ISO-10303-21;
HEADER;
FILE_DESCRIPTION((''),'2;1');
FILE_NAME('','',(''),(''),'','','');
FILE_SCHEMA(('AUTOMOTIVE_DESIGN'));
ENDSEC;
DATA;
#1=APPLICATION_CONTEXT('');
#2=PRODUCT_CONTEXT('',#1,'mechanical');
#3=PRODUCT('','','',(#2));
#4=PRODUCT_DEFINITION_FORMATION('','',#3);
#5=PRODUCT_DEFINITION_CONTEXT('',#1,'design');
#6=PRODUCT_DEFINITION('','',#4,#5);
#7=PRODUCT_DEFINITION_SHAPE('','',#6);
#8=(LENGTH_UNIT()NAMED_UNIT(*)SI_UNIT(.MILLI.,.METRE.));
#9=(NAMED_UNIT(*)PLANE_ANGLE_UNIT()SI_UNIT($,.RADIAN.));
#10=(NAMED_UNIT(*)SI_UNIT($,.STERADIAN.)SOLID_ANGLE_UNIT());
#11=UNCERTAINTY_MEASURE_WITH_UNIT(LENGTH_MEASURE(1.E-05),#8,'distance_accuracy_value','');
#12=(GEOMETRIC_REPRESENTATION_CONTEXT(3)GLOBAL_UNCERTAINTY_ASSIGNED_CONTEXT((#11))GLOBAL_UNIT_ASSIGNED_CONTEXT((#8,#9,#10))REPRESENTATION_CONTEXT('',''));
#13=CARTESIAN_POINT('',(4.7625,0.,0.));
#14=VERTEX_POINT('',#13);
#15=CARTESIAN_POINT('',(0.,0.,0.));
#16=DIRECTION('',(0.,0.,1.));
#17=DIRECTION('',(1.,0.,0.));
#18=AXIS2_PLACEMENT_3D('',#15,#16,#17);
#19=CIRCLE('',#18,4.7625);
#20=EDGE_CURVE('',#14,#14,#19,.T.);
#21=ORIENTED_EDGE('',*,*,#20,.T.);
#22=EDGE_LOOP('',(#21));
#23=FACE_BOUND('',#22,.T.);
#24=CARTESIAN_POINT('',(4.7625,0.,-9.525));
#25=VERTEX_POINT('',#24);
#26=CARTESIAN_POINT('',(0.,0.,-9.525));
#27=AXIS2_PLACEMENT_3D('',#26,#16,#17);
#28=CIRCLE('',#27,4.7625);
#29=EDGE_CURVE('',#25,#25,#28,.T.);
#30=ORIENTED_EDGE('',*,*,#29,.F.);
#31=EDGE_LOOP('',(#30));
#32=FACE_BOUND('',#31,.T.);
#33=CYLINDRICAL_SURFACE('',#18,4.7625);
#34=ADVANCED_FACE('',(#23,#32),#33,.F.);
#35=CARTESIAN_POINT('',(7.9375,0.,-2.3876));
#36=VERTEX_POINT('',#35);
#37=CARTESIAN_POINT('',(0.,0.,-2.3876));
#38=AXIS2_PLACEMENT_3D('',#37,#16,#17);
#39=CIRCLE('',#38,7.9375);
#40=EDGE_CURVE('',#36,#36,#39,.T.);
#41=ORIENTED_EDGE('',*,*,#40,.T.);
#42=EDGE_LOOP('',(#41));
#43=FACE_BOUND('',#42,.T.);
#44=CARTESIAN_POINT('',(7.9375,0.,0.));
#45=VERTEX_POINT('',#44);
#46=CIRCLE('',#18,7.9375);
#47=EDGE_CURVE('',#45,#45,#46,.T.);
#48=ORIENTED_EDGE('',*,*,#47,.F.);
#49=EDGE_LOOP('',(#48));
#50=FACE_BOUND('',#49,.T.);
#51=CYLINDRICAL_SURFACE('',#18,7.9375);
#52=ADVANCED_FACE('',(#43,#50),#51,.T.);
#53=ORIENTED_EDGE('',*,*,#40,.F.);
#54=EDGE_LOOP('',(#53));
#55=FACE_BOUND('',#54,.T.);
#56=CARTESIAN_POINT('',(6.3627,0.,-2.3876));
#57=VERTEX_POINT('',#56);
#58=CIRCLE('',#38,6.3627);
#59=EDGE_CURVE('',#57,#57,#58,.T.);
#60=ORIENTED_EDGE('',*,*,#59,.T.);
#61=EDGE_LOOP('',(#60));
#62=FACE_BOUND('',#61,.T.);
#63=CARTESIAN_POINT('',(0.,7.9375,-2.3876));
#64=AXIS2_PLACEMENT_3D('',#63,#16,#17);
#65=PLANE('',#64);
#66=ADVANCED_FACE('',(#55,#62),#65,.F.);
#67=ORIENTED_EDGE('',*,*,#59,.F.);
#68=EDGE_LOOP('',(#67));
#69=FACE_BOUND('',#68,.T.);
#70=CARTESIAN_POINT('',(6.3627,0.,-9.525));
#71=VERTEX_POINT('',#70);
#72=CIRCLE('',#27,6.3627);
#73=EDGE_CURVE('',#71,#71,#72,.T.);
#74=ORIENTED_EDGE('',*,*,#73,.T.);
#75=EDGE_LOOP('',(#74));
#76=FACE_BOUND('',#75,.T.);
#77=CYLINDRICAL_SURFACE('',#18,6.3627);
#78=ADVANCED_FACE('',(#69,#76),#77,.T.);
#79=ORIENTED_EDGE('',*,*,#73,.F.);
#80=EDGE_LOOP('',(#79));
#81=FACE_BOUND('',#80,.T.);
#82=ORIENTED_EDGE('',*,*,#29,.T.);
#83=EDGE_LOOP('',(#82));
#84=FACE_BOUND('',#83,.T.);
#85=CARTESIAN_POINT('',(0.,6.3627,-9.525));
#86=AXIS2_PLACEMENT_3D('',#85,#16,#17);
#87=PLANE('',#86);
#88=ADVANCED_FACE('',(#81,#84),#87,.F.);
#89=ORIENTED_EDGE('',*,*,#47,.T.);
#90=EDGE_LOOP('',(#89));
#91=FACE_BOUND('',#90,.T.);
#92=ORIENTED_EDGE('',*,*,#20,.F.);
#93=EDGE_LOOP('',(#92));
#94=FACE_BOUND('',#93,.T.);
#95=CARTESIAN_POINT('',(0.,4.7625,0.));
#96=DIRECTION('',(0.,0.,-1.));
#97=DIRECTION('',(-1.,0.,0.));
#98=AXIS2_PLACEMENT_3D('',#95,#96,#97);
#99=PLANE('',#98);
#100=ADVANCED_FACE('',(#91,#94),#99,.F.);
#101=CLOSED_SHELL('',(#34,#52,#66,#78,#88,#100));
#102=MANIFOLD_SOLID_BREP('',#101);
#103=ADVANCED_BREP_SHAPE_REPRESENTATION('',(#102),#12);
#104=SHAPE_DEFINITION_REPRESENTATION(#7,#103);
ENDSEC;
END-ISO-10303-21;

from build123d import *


with BuildPart() as part:
    # Sketch2 → Revolve1 (revolve)
    with BuildSketch(Plane(origin=(0, 0, 0), x_dir=(0, 0, -1), z_dir=(1, 0, 0)), mode=Mode.PRIVATE) as revolve1_sk:
        Polygon((0, 4.7625), (0, 7.9375), (2.3876, 7.9375), (2.3876, 6.3627), (9.525, 6.3627), (9.525, 4.7625), align=None)
    revolve(revolve1_sk.sketch.rotate(Axis((0, 0, 0), (0, 0, -1)), 90), axis=Axis((0, 0, 0), (0, 0, -1)))


solid = part.part
